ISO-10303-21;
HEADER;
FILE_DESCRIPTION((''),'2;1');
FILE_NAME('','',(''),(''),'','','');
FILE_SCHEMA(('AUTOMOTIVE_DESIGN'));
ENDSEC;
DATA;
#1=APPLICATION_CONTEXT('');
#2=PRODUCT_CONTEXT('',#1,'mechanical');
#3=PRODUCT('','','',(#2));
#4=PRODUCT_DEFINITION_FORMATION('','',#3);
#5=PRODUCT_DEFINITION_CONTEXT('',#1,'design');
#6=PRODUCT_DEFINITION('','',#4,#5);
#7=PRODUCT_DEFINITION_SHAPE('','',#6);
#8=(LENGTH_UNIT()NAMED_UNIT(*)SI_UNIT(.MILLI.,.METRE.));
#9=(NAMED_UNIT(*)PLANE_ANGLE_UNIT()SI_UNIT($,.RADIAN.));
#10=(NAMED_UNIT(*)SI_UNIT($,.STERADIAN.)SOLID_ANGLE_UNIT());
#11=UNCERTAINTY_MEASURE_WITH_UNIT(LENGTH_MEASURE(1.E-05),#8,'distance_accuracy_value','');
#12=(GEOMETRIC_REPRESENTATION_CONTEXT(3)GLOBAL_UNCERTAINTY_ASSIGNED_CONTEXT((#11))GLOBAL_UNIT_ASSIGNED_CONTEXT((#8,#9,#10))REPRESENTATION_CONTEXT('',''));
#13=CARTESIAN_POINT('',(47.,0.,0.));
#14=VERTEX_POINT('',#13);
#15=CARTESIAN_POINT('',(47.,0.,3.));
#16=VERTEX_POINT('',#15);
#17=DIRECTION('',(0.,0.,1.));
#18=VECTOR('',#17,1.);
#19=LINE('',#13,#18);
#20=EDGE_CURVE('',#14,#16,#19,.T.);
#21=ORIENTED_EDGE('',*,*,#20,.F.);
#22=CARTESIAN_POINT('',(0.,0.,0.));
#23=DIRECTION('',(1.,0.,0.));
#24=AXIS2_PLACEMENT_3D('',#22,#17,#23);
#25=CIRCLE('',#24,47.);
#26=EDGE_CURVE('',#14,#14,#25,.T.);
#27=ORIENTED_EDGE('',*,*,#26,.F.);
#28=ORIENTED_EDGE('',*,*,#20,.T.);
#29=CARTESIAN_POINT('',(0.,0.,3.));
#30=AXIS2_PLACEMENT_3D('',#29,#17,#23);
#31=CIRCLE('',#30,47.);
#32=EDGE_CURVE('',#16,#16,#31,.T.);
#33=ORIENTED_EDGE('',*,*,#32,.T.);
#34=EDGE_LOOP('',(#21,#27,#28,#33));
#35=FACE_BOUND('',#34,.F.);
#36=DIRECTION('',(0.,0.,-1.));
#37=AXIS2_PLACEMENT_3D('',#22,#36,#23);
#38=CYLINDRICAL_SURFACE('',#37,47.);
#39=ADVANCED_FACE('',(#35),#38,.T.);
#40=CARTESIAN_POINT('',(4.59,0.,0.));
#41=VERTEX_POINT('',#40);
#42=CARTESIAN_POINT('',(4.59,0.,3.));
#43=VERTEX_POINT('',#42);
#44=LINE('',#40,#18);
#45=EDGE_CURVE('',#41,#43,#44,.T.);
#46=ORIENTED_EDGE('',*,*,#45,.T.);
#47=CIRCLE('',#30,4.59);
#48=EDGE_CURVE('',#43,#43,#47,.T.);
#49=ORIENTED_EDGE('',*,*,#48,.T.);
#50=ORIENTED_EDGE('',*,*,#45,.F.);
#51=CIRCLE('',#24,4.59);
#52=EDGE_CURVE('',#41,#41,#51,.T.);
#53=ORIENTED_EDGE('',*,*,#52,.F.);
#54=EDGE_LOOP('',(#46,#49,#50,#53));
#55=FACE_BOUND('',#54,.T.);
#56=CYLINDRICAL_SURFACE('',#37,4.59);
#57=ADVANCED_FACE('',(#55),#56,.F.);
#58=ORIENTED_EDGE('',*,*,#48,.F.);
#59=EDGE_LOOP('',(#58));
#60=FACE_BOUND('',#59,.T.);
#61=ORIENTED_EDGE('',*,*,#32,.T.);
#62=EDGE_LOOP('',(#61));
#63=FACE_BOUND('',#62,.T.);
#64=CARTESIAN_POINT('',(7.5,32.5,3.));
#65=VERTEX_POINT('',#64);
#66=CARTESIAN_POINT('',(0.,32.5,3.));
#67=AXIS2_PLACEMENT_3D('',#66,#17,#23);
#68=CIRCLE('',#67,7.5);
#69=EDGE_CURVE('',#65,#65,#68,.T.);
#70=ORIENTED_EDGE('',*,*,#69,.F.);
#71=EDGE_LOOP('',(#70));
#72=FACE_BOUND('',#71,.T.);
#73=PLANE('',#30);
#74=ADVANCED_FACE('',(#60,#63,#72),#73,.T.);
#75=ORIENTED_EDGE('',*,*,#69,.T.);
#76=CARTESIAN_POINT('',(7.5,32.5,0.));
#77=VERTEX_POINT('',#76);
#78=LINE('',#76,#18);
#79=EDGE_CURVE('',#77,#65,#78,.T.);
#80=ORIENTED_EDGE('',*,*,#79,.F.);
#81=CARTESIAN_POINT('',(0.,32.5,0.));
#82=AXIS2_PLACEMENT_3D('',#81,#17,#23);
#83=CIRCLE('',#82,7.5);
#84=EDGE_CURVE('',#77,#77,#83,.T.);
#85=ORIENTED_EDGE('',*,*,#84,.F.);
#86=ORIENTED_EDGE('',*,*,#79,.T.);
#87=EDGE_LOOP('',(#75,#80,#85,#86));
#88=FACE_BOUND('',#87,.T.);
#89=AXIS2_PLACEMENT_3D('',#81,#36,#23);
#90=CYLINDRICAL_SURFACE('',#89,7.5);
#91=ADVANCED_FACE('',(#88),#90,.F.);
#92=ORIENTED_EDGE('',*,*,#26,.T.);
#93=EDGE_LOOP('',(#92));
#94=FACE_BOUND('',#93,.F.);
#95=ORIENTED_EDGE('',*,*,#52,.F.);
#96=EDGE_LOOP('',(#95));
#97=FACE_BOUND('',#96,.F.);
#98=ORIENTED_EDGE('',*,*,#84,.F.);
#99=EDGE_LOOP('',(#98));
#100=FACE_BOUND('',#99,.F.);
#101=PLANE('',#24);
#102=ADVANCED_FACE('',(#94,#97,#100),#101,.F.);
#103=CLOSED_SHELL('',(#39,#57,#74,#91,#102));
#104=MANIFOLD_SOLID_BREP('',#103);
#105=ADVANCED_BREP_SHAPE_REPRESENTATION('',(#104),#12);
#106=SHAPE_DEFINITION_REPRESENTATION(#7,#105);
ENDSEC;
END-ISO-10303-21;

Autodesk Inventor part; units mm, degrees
ref_plane "YZ Plane" through (0, 0, 0) normal (1, 0, 0) x (0, 1, 0)
ref_plane "XZ Plane" through (0, 0, 0) normal (0, 1, 0) x (-1, 0, 0)
ref_plane "XY Plane" through (0, 0, 0) normal (0, 0, 1) x (1, 0, 0)
sketch "Sketch1" plane through (0, 0, 0) normal (0, 0, 1) x (1, 0, 0)
  circle A0 centre (0, 0) radius 47
  circle A1 centre (0, 0) radius 4.59
  circle A2 centre (0, 32.5) radius 7.5
  dimension "d0" = 94
  dimension "d1" = 9.18
  dimension "d4" = 15
  dimension "d5" = 32.5
extrude "Extrusion2" add sketch "Sketch1" along normal blind 3
properties part number "Inner Gland Wall"
